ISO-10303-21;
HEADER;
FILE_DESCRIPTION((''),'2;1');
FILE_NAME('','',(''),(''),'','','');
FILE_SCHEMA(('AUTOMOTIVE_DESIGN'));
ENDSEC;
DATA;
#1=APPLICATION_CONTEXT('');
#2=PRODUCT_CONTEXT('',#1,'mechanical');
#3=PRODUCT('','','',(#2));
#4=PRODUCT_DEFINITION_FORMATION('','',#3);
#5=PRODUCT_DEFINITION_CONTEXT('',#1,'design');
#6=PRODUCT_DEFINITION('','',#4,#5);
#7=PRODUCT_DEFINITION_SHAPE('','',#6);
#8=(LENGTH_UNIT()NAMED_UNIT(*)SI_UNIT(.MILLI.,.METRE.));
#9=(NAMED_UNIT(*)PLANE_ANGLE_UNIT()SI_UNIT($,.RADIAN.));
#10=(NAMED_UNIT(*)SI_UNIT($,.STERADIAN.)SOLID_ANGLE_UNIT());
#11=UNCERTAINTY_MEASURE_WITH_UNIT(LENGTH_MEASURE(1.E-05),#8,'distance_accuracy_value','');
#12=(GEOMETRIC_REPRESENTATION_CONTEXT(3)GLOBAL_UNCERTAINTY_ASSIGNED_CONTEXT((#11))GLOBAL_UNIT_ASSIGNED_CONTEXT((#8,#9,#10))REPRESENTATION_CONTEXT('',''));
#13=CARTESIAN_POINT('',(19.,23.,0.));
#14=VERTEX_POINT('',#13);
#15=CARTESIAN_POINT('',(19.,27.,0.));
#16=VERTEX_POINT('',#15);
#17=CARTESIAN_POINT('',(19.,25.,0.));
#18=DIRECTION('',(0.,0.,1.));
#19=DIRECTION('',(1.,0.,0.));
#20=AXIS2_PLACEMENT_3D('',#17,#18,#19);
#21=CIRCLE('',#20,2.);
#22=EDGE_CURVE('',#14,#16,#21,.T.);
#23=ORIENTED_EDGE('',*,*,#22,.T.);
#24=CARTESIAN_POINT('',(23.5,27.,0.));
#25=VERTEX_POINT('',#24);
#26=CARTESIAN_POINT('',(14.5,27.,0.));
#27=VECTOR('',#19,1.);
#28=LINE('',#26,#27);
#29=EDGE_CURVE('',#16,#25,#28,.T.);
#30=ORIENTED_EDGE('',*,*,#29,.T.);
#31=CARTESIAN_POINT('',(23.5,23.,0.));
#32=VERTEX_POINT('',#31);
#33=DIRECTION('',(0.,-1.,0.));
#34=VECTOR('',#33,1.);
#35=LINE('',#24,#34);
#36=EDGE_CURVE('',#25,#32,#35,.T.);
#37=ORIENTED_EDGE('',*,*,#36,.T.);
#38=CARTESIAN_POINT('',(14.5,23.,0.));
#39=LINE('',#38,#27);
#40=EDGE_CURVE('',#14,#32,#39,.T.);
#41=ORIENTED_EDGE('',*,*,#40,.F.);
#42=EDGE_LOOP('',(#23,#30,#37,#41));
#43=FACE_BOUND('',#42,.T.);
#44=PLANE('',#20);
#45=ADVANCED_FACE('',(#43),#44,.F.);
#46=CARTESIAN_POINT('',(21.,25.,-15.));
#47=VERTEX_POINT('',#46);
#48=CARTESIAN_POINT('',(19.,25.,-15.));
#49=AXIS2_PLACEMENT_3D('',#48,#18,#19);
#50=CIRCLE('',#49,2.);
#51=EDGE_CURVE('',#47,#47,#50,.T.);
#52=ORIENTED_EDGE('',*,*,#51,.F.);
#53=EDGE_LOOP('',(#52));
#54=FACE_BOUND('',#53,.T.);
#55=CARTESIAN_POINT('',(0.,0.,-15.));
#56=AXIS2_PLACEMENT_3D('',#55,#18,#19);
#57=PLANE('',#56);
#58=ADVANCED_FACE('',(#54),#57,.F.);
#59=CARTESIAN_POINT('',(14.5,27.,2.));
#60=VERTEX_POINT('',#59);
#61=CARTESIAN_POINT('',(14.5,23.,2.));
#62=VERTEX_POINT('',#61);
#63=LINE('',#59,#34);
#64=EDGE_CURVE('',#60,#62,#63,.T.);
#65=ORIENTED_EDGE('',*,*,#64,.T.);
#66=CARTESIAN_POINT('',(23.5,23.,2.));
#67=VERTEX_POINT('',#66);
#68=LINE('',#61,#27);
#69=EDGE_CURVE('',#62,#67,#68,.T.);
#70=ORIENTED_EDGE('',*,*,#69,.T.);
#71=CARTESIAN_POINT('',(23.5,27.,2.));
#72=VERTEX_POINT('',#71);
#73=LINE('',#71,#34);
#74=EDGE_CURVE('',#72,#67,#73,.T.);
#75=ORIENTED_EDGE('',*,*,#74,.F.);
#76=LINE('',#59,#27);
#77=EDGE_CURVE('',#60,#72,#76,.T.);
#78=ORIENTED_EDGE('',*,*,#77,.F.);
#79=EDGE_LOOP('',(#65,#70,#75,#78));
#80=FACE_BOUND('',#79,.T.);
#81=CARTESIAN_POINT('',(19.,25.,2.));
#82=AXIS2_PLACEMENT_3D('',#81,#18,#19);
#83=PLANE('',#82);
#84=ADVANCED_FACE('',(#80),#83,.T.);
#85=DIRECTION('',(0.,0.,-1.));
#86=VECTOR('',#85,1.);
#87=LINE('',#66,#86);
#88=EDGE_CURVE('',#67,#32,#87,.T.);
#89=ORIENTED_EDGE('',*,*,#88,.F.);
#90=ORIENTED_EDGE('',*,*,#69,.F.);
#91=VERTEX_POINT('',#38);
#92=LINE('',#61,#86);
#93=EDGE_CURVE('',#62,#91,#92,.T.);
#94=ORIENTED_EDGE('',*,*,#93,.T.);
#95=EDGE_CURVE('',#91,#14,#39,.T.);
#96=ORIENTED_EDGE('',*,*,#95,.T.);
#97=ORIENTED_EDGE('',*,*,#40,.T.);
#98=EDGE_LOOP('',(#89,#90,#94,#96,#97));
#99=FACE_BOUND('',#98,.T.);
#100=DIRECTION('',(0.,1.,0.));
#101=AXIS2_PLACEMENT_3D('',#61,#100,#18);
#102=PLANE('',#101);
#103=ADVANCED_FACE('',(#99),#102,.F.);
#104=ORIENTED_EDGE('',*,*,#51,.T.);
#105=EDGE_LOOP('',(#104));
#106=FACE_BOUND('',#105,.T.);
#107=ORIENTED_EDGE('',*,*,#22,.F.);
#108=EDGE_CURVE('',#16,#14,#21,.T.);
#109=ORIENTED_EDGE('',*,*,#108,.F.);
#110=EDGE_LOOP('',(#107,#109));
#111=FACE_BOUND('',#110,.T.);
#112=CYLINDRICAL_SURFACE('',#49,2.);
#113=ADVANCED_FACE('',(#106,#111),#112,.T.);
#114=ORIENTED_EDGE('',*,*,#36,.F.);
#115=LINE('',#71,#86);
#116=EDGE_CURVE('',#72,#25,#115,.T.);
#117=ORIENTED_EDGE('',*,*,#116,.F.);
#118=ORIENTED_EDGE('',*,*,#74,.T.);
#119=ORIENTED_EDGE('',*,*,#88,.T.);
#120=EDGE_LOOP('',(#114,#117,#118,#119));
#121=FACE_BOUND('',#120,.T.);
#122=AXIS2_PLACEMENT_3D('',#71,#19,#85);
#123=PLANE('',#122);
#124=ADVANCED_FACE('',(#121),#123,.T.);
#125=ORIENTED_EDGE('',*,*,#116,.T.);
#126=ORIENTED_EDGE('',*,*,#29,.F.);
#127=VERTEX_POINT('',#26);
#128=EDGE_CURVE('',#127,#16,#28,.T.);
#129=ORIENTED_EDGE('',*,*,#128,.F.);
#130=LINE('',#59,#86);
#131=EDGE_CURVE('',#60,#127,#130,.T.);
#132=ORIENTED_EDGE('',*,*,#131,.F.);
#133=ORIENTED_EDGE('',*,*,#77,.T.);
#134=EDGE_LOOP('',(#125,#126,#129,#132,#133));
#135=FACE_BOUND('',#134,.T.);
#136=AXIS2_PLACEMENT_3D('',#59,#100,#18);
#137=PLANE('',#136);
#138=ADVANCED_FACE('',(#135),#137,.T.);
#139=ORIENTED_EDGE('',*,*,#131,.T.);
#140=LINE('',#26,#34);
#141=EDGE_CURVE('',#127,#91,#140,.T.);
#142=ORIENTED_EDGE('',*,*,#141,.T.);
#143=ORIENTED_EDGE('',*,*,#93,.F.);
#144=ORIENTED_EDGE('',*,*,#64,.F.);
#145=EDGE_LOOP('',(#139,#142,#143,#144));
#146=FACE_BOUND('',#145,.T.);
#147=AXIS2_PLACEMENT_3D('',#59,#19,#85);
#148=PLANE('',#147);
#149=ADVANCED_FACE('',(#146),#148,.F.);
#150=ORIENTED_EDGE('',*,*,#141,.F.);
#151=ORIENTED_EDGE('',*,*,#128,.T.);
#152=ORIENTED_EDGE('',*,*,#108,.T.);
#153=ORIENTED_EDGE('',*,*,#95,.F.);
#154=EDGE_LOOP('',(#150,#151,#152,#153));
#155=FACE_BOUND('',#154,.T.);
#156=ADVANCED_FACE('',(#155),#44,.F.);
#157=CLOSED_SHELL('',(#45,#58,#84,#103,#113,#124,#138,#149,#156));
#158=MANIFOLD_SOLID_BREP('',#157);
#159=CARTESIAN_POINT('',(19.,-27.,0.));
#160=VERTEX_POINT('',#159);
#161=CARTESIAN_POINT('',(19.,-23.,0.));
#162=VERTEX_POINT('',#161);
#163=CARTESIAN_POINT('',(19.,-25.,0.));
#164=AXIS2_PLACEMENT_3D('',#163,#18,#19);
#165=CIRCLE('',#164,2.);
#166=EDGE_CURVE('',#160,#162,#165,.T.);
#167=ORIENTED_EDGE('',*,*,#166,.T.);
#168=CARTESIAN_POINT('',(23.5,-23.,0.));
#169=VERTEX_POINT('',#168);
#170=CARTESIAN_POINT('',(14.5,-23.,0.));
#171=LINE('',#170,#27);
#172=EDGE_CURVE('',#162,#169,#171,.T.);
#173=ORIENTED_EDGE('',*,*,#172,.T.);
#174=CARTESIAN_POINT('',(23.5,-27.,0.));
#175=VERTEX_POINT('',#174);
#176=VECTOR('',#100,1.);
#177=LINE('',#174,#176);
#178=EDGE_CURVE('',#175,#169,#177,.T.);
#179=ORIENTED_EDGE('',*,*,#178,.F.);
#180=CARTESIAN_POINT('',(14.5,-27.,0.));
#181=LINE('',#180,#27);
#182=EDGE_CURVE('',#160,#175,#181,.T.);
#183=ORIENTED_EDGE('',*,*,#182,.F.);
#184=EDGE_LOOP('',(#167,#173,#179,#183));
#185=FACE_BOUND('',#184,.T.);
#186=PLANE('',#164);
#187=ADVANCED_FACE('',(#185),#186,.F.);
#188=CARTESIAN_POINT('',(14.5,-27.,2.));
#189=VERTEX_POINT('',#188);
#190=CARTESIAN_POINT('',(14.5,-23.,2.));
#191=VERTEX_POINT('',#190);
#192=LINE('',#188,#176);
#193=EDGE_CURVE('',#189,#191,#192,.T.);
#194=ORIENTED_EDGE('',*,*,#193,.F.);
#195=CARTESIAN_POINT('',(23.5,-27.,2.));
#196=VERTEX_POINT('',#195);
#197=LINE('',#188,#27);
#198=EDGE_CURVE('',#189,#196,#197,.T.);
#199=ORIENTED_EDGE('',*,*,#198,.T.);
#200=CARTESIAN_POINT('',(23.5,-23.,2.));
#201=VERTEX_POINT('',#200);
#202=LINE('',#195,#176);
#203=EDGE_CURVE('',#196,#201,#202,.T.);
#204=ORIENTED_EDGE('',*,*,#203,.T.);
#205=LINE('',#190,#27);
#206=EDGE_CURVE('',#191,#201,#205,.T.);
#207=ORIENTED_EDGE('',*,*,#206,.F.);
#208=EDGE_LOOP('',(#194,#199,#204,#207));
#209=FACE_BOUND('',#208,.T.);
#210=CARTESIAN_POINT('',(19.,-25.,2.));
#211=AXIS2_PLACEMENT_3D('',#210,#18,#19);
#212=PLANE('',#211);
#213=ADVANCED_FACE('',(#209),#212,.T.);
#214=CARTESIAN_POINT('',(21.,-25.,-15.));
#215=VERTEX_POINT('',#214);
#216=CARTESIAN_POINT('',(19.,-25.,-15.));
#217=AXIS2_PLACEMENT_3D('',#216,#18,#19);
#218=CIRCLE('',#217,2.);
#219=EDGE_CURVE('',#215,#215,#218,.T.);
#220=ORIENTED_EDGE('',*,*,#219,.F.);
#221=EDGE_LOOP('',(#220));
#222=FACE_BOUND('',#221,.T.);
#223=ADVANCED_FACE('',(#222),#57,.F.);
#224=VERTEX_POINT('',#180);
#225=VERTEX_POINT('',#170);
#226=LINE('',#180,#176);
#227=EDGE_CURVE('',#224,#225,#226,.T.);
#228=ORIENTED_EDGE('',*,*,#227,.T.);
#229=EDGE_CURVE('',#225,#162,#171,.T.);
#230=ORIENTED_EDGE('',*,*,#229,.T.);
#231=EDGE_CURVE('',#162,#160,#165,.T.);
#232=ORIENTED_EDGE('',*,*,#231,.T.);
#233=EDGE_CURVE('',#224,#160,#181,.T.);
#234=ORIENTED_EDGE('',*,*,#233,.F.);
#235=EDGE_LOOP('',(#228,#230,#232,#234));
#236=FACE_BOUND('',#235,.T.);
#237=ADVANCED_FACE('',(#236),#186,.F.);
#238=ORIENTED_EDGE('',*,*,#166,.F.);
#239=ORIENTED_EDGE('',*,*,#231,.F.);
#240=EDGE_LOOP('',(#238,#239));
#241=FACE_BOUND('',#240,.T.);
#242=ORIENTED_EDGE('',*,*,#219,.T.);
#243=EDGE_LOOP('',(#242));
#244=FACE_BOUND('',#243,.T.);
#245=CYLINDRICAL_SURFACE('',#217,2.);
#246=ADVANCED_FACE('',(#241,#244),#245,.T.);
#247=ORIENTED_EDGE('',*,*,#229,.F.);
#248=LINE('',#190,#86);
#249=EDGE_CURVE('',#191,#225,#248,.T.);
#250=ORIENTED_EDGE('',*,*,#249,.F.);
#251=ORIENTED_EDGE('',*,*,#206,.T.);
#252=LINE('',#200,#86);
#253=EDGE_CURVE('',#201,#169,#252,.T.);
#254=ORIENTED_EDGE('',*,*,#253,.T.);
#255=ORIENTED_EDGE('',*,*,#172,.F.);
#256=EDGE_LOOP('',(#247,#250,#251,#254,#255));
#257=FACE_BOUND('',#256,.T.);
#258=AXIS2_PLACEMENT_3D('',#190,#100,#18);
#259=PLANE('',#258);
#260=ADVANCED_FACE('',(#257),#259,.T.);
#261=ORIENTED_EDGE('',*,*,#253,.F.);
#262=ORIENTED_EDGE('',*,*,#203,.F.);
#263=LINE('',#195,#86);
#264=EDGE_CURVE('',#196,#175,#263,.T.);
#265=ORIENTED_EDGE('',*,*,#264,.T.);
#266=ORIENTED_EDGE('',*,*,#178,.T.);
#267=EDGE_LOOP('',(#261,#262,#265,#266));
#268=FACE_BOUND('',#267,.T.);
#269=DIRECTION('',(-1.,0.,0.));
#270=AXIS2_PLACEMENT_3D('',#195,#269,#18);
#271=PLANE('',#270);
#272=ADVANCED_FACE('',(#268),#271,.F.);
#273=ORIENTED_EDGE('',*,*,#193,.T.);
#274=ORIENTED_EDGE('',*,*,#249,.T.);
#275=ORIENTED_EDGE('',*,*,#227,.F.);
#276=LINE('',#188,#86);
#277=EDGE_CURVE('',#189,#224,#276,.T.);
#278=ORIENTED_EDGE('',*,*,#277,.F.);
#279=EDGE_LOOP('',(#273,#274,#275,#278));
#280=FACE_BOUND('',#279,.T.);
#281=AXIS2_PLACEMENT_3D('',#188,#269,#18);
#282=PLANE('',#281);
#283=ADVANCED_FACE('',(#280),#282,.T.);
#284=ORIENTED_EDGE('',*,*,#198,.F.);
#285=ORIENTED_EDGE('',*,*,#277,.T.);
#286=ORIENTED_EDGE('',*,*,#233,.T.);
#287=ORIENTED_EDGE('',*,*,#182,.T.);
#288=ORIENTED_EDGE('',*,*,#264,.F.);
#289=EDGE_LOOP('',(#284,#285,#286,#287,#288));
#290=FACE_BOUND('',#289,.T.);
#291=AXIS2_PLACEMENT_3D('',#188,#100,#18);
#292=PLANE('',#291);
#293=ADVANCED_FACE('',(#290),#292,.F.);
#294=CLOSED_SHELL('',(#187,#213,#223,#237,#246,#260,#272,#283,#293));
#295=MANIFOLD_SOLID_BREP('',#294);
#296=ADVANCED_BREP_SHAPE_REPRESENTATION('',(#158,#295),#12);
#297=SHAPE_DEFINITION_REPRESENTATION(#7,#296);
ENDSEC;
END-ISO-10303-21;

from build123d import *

# Parameters (mm, degrees)
SKETCH1_R             = 2
BOSS_EXTRUDE1_DEPTH   = 15
BOSS_EXTRUDE1_2_DEPTH = 15
SKETCH1_3_W           = 9
SKETCH1_3_H           = 4
BOSS_EXTRUDE2_DEPTH   = 2


with BuildPart() as part:
    # Sketch1 → Boss-Extrude1 (new body)
    with BuildSketch(Plane.XY):
        with Locations((19, -25)):
            Circle(SKETCH1_R)
    extrude(amount=-BOSS_EXTRUDE1_DEPTH)



with BuildPart() as body_2:
    # Sketch1 → Boss-Extrude1 2 (new body)
    with BuildSketch(Plane.XY):
        with Locations((19, 25)):
            Circle(SKETCH1_R)
    extrude(amount=-BOSS_EXTRUDE1_2_DEPTH)


with BuildPart() as part_1:
    add(part.part)

    add(body_2.part)  # Boss-Extrude2 merges body 2
    # Sketch1<3> → Boss-Extrude2 (add)
    with BuildSketch(Plane.XY):
        with Locations((19, -25)):
            Rectangle(SKETCH1_3_W, SKETCH1_3_H)
        with Locations((19, 25)):
            Rectangle(SKETCH1_3_W, SKETCH1_3_H)
    extrude(amount=BOSS_EXTRUDE2_DEPTH)


solid = part_1.part
